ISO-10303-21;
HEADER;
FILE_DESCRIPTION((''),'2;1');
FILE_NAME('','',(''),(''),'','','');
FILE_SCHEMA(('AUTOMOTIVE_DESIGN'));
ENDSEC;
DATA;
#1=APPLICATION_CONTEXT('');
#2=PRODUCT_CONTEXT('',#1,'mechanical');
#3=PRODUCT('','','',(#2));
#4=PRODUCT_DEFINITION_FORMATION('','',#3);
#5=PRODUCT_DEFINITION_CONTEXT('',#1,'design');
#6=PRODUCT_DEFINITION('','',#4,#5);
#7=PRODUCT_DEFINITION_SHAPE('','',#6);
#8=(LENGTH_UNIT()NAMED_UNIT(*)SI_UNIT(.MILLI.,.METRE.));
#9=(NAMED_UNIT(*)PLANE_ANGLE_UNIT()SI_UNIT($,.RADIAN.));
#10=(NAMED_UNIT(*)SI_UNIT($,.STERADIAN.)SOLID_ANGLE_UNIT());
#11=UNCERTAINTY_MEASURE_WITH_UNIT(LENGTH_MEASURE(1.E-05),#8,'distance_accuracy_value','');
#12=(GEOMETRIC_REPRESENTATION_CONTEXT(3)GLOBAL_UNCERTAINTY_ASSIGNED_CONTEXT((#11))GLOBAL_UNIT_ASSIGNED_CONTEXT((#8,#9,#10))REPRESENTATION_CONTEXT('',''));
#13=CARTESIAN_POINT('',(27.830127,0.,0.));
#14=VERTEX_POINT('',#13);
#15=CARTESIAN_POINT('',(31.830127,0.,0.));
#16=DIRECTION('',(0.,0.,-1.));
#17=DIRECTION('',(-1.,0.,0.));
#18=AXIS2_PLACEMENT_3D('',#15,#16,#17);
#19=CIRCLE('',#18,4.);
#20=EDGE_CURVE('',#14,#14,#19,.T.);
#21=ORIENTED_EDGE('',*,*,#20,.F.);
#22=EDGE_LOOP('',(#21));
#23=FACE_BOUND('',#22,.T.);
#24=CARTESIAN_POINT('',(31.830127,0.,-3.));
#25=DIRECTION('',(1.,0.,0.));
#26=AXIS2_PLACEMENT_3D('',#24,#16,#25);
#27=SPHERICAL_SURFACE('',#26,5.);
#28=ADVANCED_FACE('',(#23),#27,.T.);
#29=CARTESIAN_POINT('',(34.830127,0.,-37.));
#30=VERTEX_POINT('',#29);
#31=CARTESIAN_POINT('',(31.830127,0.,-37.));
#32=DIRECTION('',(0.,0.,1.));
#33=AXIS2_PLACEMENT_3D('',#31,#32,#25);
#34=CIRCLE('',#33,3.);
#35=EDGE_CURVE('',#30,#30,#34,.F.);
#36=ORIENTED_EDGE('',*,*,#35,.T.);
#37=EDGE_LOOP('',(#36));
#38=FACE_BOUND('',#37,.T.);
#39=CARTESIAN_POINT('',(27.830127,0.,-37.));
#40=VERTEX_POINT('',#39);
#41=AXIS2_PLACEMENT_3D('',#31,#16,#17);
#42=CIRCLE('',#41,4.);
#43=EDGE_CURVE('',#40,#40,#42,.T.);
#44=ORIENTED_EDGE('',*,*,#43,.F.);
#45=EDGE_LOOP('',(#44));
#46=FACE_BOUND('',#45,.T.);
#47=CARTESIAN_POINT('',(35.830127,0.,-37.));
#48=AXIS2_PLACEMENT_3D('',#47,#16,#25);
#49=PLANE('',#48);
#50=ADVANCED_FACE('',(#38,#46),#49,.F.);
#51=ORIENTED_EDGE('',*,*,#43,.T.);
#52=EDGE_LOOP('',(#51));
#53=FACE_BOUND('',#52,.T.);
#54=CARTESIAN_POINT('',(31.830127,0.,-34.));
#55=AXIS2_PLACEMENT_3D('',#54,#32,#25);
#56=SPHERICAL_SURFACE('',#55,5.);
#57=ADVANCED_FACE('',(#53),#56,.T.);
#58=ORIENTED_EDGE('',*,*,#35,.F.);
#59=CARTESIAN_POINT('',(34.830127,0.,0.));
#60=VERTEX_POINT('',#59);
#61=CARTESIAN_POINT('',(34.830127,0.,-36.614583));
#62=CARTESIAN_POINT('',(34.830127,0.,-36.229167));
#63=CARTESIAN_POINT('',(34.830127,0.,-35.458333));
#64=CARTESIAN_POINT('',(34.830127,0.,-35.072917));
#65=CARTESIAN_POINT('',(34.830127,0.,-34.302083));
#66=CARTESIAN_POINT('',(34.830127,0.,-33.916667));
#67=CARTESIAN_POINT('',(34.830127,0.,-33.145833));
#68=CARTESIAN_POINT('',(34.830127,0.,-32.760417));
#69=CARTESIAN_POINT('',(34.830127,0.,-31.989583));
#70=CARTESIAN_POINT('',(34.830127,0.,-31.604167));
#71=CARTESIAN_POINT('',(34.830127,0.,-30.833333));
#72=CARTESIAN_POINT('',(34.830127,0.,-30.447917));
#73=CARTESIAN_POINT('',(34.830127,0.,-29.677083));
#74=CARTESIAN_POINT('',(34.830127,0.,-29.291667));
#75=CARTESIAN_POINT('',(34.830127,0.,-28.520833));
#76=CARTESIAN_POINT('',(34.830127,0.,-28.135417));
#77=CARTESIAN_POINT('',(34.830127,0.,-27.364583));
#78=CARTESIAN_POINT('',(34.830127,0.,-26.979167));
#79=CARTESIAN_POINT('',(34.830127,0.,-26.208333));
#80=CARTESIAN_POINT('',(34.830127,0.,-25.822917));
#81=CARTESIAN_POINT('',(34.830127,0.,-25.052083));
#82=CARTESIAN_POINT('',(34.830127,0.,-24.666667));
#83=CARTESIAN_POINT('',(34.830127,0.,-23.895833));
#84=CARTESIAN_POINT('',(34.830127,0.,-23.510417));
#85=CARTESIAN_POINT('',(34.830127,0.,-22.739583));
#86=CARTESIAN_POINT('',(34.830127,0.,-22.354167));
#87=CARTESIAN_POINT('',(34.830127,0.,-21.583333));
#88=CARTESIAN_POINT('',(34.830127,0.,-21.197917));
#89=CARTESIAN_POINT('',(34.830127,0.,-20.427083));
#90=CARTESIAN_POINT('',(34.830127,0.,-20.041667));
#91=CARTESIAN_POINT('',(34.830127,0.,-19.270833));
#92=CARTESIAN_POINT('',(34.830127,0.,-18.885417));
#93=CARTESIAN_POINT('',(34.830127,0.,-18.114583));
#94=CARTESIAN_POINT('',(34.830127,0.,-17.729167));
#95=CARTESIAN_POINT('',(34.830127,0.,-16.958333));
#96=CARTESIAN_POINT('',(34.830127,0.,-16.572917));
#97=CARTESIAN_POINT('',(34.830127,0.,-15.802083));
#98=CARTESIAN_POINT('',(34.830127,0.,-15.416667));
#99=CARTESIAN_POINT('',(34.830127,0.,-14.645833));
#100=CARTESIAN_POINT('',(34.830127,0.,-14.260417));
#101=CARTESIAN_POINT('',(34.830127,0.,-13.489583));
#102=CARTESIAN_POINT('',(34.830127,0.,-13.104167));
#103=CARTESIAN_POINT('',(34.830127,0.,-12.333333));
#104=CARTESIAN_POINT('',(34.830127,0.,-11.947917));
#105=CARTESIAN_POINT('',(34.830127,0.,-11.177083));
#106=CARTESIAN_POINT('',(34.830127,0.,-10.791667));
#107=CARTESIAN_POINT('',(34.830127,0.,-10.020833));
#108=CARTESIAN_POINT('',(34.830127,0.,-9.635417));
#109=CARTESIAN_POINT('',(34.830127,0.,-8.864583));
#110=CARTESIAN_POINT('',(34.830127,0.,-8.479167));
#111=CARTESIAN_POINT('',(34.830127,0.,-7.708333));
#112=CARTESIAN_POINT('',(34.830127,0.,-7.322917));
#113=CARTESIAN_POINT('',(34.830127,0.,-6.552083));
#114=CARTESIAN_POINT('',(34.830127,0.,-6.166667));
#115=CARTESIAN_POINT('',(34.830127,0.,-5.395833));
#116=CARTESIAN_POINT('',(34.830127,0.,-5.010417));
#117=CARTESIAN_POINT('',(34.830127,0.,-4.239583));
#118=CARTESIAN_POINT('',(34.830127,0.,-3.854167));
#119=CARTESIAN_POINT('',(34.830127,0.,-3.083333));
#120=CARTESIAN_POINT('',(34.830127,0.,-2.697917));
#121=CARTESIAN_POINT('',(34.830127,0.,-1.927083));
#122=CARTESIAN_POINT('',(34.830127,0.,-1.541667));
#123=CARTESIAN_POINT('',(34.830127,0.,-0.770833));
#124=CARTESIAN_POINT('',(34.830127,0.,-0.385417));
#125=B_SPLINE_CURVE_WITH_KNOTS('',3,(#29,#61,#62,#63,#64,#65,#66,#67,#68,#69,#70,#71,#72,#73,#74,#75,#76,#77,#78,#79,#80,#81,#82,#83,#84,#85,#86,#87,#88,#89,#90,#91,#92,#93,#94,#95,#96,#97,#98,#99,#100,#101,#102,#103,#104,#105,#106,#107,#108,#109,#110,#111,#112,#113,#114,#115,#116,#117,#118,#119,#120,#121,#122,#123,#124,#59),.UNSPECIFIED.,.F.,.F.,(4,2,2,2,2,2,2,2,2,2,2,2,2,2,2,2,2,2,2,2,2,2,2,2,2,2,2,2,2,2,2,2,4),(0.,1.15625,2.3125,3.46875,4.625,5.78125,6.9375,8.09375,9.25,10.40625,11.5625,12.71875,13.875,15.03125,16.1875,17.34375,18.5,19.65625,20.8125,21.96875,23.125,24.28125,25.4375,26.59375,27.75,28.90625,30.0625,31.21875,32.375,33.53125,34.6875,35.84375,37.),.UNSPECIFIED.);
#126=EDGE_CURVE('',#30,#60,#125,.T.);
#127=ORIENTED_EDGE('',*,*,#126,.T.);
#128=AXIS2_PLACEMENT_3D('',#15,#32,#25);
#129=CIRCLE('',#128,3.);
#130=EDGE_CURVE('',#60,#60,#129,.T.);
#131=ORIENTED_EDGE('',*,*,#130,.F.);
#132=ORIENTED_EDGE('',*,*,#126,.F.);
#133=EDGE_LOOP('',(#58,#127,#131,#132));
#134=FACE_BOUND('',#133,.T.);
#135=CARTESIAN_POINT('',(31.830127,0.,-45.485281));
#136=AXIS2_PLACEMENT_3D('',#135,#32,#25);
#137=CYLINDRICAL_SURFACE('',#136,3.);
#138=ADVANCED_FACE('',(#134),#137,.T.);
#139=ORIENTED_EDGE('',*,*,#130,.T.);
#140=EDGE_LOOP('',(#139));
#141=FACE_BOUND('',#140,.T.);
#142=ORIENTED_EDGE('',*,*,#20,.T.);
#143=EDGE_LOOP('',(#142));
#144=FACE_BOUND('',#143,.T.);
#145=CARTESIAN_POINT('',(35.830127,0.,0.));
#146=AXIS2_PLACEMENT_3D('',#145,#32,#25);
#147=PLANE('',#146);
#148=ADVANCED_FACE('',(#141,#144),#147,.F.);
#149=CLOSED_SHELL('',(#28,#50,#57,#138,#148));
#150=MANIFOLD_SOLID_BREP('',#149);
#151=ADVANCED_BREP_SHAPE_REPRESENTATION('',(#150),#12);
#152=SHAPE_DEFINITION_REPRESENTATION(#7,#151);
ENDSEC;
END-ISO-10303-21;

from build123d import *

# Parameters (mm, degrees)
CROQUIS1_R              = 3
SALIENTE_EXTRUIR1_DEPTH = 37


with BuildPart() as part:
    # Croquis1 → Saliente-Extruir1 (new body)
    with BuildSketch(Plane.XY):
        with Locations((31.830127019, 0)):
            Circle(CROQUIS1_R)
    extrude(amount=-SALIENTE_EXTRUIR1_DEPTH)

    # Croquis2 → Revolución1 (revolve)
    with BuildSketch(Plane(origin=(0, 0, 0), x_dir=(1, 0, 0), z_dir=(0, 1, 0))):
        with BuildLine():
            Line((31.830127019, 0), (31.830127019, -2))
            ThreePointArc((31.830127019, -2), (34.066194996, -1.472135955), (35.830127019, 0))
            Line((35.830127019, 0), (31.830127019, 0))
        make_face()
    revoluci_n1 = revolve(axis=Axis((31.830127019, 0, 0), (0, 0, 1)))

    # Simetría1: Revolución1 across plane
    add(revoluci_n1.mirror(Plane.XY.offset(-18.5)))


solid = part.part
